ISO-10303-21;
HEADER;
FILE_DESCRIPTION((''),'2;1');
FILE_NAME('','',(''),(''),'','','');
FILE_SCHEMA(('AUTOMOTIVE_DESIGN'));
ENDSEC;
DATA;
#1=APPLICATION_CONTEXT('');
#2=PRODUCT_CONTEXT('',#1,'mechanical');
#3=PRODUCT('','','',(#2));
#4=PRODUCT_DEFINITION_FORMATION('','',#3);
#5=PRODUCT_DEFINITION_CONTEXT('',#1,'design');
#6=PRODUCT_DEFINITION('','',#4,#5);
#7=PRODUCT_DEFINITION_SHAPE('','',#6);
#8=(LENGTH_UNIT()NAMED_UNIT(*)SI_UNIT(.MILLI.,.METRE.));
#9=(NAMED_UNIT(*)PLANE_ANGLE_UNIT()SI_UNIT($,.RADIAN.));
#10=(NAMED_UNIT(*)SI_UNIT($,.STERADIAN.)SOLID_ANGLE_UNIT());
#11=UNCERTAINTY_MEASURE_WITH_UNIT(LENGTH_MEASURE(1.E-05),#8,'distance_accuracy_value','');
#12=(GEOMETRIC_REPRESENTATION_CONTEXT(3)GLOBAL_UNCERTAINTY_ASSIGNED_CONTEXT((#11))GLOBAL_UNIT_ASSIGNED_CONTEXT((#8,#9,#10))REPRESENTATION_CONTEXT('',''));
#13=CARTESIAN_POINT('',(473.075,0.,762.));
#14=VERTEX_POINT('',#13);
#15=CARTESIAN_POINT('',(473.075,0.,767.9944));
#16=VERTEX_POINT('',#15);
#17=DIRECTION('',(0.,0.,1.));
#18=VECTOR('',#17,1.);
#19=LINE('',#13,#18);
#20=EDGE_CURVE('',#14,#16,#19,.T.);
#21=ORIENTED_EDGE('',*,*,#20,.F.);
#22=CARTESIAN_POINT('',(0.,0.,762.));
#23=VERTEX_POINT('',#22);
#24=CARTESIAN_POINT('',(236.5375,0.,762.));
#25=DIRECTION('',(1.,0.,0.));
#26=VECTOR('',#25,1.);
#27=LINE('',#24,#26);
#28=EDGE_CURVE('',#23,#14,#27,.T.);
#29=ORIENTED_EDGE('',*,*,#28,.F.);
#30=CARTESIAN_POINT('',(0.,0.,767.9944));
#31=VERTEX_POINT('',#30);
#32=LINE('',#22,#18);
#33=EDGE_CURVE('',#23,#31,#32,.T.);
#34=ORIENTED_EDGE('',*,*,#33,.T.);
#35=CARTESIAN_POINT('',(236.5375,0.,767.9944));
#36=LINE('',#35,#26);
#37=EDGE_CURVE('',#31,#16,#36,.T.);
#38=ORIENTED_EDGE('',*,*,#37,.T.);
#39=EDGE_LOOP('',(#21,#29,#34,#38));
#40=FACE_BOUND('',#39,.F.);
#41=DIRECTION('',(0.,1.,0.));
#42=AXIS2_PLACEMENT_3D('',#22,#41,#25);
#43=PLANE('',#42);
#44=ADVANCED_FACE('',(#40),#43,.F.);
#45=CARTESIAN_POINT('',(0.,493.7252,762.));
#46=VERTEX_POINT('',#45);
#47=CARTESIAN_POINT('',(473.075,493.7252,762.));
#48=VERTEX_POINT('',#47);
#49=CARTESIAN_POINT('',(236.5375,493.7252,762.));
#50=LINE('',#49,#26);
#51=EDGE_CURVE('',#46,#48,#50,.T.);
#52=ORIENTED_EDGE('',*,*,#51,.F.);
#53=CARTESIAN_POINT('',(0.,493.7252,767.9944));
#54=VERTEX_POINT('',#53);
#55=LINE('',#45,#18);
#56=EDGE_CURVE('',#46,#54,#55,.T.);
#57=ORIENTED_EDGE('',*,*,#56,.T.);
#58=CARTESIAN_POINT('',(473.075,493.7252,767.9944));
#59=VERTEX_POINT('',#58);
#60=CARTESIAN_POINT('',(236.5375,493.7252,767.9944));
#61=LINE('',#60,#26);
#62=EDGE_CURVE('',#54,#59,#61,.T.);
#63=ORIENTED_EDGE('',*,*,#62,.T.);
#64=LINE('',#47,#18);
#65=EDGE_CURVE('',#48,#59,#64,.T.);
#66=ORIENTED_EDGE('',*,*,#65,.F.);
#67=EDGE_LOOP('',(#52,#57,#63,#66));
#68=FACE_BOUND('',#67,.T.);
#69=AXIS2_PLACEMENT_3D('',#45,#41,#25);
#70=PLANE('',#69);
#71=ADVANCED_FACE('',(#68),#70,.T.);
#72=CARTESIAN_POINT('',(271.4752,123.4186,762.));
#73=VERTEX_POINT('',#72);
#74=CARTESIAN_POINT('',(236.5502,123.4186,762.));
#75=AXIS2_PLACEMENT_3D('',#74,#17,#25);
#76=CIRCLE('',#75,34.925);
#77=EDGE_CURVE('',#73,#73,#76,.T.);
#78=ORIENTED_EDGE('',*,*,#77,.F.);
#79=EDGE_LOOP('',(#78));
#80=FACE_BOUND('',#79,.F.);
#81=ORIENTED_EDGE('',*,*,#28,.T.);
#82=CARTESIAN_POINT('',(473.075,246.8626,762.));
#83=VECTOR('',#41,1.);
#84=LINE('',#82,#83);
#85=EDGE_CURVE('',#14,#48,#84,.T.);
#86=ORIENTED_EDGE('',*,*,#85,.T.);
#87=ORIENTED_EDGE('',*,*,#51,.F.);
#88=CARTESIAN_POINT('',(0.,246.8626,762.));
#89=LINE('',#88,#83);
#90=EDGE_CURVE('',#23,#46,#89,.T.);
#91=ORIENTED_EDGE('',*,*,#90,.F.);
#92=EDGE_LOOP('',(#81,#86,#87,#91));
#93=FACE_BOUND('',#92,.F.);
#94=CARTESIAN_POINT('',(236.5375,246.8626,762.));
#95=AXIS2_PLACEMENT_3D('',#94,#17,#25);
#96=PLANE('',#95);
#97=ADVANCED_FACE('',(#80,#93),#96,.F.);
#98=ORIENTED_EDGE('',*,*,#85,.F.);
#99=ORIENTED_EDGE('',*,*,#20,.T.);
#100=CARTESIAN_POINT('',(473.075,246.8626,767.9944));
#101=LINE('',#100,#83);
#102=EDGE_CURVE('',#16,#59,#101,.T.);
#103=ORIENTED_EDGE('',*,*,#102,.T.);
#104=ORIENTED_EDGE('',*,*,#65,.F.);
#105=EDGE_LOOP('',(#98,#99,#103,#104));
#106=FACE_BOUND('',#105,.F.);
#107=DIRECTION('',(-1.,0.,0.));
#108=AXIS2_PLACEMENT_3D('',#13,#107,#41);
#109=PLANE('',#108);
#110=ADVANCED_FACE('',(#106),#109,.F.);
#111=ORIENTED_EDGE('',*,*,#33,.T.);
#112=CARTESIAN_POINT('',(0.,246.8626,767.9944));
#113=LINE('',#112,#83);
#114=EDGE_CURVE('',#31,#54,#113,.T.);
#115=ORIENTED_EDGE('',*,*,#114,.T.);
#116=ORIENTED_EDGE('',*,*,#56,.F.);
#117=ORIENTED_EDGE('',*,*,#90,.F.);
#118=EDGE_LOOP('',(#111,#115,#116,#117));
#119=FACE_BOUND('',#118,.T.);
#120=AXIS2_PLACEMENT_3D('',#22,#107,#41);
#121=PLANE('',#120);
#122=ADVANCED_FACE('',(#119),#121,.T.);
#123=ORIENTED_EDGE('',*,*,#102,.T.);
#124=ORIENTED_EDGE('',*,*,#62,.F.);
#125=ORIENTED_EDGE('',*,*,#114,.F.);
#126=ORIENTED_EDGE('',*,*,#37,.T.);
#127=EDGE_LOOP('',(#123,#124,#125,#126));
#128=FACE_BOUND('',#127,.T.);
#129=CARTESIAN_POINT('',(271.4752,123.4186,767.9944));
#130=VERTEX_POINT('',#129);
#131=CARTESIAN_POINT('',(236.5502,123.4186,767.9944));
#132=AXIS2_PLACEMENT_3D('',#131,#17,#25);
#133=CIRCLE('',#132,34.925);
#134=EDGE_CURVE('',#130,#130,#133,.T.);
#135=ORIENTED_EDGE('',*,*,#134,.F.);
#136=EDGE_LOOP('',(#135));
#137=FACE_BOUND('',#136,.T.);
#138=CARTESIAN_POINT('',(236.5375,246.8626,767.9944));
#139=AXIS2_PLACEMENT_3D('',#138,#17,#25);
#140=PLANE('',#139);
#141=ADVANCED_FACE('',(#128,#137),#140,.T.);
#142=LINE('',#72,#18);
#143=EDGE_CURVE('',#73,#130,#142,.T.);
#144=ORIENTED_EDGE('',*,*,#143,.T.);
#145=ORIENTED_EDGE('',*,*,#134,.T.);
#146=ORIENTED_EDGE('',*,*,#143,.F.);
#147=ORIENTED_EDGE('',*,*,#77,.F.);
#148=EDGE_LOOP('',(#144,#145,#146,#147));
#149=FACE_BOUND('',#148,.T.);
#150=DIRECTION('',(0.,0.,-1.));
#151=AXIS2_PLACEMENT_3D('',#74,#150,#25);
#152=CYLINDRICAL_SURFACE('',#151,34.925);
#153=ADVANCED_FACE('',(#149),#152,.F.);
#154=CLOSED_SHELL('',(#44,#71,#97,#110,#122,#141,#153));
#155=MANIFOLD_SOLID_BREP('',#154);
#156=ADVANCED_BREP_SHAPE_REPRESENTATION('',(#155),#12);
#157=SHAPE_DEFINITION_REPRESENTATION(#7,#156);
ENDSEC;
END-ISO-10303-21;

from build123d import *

# Parameters (mm, degrees)
SKETCH_W      = 473.075
SKETCH_H      = 493.7252
SKETCH_R      = 34.925
EXTRUDE_DEPTH = 5.9944


with BuildPart() as part:
    # Sketch → Extrude (new body)
    with BuildSketch(Plane.XY.offset(762)):
        with Locations((236.5375, 246.8626)):
            Rectangle(SKETCH_W, SKETCH_H)
        with Locations((236.5502, 123.4186)):
            Circle(SKETCH_R, mode=Mode.SUBTRACT)
    extrude(amount=EXTRUDE_DEPTH)


solid = part.part
